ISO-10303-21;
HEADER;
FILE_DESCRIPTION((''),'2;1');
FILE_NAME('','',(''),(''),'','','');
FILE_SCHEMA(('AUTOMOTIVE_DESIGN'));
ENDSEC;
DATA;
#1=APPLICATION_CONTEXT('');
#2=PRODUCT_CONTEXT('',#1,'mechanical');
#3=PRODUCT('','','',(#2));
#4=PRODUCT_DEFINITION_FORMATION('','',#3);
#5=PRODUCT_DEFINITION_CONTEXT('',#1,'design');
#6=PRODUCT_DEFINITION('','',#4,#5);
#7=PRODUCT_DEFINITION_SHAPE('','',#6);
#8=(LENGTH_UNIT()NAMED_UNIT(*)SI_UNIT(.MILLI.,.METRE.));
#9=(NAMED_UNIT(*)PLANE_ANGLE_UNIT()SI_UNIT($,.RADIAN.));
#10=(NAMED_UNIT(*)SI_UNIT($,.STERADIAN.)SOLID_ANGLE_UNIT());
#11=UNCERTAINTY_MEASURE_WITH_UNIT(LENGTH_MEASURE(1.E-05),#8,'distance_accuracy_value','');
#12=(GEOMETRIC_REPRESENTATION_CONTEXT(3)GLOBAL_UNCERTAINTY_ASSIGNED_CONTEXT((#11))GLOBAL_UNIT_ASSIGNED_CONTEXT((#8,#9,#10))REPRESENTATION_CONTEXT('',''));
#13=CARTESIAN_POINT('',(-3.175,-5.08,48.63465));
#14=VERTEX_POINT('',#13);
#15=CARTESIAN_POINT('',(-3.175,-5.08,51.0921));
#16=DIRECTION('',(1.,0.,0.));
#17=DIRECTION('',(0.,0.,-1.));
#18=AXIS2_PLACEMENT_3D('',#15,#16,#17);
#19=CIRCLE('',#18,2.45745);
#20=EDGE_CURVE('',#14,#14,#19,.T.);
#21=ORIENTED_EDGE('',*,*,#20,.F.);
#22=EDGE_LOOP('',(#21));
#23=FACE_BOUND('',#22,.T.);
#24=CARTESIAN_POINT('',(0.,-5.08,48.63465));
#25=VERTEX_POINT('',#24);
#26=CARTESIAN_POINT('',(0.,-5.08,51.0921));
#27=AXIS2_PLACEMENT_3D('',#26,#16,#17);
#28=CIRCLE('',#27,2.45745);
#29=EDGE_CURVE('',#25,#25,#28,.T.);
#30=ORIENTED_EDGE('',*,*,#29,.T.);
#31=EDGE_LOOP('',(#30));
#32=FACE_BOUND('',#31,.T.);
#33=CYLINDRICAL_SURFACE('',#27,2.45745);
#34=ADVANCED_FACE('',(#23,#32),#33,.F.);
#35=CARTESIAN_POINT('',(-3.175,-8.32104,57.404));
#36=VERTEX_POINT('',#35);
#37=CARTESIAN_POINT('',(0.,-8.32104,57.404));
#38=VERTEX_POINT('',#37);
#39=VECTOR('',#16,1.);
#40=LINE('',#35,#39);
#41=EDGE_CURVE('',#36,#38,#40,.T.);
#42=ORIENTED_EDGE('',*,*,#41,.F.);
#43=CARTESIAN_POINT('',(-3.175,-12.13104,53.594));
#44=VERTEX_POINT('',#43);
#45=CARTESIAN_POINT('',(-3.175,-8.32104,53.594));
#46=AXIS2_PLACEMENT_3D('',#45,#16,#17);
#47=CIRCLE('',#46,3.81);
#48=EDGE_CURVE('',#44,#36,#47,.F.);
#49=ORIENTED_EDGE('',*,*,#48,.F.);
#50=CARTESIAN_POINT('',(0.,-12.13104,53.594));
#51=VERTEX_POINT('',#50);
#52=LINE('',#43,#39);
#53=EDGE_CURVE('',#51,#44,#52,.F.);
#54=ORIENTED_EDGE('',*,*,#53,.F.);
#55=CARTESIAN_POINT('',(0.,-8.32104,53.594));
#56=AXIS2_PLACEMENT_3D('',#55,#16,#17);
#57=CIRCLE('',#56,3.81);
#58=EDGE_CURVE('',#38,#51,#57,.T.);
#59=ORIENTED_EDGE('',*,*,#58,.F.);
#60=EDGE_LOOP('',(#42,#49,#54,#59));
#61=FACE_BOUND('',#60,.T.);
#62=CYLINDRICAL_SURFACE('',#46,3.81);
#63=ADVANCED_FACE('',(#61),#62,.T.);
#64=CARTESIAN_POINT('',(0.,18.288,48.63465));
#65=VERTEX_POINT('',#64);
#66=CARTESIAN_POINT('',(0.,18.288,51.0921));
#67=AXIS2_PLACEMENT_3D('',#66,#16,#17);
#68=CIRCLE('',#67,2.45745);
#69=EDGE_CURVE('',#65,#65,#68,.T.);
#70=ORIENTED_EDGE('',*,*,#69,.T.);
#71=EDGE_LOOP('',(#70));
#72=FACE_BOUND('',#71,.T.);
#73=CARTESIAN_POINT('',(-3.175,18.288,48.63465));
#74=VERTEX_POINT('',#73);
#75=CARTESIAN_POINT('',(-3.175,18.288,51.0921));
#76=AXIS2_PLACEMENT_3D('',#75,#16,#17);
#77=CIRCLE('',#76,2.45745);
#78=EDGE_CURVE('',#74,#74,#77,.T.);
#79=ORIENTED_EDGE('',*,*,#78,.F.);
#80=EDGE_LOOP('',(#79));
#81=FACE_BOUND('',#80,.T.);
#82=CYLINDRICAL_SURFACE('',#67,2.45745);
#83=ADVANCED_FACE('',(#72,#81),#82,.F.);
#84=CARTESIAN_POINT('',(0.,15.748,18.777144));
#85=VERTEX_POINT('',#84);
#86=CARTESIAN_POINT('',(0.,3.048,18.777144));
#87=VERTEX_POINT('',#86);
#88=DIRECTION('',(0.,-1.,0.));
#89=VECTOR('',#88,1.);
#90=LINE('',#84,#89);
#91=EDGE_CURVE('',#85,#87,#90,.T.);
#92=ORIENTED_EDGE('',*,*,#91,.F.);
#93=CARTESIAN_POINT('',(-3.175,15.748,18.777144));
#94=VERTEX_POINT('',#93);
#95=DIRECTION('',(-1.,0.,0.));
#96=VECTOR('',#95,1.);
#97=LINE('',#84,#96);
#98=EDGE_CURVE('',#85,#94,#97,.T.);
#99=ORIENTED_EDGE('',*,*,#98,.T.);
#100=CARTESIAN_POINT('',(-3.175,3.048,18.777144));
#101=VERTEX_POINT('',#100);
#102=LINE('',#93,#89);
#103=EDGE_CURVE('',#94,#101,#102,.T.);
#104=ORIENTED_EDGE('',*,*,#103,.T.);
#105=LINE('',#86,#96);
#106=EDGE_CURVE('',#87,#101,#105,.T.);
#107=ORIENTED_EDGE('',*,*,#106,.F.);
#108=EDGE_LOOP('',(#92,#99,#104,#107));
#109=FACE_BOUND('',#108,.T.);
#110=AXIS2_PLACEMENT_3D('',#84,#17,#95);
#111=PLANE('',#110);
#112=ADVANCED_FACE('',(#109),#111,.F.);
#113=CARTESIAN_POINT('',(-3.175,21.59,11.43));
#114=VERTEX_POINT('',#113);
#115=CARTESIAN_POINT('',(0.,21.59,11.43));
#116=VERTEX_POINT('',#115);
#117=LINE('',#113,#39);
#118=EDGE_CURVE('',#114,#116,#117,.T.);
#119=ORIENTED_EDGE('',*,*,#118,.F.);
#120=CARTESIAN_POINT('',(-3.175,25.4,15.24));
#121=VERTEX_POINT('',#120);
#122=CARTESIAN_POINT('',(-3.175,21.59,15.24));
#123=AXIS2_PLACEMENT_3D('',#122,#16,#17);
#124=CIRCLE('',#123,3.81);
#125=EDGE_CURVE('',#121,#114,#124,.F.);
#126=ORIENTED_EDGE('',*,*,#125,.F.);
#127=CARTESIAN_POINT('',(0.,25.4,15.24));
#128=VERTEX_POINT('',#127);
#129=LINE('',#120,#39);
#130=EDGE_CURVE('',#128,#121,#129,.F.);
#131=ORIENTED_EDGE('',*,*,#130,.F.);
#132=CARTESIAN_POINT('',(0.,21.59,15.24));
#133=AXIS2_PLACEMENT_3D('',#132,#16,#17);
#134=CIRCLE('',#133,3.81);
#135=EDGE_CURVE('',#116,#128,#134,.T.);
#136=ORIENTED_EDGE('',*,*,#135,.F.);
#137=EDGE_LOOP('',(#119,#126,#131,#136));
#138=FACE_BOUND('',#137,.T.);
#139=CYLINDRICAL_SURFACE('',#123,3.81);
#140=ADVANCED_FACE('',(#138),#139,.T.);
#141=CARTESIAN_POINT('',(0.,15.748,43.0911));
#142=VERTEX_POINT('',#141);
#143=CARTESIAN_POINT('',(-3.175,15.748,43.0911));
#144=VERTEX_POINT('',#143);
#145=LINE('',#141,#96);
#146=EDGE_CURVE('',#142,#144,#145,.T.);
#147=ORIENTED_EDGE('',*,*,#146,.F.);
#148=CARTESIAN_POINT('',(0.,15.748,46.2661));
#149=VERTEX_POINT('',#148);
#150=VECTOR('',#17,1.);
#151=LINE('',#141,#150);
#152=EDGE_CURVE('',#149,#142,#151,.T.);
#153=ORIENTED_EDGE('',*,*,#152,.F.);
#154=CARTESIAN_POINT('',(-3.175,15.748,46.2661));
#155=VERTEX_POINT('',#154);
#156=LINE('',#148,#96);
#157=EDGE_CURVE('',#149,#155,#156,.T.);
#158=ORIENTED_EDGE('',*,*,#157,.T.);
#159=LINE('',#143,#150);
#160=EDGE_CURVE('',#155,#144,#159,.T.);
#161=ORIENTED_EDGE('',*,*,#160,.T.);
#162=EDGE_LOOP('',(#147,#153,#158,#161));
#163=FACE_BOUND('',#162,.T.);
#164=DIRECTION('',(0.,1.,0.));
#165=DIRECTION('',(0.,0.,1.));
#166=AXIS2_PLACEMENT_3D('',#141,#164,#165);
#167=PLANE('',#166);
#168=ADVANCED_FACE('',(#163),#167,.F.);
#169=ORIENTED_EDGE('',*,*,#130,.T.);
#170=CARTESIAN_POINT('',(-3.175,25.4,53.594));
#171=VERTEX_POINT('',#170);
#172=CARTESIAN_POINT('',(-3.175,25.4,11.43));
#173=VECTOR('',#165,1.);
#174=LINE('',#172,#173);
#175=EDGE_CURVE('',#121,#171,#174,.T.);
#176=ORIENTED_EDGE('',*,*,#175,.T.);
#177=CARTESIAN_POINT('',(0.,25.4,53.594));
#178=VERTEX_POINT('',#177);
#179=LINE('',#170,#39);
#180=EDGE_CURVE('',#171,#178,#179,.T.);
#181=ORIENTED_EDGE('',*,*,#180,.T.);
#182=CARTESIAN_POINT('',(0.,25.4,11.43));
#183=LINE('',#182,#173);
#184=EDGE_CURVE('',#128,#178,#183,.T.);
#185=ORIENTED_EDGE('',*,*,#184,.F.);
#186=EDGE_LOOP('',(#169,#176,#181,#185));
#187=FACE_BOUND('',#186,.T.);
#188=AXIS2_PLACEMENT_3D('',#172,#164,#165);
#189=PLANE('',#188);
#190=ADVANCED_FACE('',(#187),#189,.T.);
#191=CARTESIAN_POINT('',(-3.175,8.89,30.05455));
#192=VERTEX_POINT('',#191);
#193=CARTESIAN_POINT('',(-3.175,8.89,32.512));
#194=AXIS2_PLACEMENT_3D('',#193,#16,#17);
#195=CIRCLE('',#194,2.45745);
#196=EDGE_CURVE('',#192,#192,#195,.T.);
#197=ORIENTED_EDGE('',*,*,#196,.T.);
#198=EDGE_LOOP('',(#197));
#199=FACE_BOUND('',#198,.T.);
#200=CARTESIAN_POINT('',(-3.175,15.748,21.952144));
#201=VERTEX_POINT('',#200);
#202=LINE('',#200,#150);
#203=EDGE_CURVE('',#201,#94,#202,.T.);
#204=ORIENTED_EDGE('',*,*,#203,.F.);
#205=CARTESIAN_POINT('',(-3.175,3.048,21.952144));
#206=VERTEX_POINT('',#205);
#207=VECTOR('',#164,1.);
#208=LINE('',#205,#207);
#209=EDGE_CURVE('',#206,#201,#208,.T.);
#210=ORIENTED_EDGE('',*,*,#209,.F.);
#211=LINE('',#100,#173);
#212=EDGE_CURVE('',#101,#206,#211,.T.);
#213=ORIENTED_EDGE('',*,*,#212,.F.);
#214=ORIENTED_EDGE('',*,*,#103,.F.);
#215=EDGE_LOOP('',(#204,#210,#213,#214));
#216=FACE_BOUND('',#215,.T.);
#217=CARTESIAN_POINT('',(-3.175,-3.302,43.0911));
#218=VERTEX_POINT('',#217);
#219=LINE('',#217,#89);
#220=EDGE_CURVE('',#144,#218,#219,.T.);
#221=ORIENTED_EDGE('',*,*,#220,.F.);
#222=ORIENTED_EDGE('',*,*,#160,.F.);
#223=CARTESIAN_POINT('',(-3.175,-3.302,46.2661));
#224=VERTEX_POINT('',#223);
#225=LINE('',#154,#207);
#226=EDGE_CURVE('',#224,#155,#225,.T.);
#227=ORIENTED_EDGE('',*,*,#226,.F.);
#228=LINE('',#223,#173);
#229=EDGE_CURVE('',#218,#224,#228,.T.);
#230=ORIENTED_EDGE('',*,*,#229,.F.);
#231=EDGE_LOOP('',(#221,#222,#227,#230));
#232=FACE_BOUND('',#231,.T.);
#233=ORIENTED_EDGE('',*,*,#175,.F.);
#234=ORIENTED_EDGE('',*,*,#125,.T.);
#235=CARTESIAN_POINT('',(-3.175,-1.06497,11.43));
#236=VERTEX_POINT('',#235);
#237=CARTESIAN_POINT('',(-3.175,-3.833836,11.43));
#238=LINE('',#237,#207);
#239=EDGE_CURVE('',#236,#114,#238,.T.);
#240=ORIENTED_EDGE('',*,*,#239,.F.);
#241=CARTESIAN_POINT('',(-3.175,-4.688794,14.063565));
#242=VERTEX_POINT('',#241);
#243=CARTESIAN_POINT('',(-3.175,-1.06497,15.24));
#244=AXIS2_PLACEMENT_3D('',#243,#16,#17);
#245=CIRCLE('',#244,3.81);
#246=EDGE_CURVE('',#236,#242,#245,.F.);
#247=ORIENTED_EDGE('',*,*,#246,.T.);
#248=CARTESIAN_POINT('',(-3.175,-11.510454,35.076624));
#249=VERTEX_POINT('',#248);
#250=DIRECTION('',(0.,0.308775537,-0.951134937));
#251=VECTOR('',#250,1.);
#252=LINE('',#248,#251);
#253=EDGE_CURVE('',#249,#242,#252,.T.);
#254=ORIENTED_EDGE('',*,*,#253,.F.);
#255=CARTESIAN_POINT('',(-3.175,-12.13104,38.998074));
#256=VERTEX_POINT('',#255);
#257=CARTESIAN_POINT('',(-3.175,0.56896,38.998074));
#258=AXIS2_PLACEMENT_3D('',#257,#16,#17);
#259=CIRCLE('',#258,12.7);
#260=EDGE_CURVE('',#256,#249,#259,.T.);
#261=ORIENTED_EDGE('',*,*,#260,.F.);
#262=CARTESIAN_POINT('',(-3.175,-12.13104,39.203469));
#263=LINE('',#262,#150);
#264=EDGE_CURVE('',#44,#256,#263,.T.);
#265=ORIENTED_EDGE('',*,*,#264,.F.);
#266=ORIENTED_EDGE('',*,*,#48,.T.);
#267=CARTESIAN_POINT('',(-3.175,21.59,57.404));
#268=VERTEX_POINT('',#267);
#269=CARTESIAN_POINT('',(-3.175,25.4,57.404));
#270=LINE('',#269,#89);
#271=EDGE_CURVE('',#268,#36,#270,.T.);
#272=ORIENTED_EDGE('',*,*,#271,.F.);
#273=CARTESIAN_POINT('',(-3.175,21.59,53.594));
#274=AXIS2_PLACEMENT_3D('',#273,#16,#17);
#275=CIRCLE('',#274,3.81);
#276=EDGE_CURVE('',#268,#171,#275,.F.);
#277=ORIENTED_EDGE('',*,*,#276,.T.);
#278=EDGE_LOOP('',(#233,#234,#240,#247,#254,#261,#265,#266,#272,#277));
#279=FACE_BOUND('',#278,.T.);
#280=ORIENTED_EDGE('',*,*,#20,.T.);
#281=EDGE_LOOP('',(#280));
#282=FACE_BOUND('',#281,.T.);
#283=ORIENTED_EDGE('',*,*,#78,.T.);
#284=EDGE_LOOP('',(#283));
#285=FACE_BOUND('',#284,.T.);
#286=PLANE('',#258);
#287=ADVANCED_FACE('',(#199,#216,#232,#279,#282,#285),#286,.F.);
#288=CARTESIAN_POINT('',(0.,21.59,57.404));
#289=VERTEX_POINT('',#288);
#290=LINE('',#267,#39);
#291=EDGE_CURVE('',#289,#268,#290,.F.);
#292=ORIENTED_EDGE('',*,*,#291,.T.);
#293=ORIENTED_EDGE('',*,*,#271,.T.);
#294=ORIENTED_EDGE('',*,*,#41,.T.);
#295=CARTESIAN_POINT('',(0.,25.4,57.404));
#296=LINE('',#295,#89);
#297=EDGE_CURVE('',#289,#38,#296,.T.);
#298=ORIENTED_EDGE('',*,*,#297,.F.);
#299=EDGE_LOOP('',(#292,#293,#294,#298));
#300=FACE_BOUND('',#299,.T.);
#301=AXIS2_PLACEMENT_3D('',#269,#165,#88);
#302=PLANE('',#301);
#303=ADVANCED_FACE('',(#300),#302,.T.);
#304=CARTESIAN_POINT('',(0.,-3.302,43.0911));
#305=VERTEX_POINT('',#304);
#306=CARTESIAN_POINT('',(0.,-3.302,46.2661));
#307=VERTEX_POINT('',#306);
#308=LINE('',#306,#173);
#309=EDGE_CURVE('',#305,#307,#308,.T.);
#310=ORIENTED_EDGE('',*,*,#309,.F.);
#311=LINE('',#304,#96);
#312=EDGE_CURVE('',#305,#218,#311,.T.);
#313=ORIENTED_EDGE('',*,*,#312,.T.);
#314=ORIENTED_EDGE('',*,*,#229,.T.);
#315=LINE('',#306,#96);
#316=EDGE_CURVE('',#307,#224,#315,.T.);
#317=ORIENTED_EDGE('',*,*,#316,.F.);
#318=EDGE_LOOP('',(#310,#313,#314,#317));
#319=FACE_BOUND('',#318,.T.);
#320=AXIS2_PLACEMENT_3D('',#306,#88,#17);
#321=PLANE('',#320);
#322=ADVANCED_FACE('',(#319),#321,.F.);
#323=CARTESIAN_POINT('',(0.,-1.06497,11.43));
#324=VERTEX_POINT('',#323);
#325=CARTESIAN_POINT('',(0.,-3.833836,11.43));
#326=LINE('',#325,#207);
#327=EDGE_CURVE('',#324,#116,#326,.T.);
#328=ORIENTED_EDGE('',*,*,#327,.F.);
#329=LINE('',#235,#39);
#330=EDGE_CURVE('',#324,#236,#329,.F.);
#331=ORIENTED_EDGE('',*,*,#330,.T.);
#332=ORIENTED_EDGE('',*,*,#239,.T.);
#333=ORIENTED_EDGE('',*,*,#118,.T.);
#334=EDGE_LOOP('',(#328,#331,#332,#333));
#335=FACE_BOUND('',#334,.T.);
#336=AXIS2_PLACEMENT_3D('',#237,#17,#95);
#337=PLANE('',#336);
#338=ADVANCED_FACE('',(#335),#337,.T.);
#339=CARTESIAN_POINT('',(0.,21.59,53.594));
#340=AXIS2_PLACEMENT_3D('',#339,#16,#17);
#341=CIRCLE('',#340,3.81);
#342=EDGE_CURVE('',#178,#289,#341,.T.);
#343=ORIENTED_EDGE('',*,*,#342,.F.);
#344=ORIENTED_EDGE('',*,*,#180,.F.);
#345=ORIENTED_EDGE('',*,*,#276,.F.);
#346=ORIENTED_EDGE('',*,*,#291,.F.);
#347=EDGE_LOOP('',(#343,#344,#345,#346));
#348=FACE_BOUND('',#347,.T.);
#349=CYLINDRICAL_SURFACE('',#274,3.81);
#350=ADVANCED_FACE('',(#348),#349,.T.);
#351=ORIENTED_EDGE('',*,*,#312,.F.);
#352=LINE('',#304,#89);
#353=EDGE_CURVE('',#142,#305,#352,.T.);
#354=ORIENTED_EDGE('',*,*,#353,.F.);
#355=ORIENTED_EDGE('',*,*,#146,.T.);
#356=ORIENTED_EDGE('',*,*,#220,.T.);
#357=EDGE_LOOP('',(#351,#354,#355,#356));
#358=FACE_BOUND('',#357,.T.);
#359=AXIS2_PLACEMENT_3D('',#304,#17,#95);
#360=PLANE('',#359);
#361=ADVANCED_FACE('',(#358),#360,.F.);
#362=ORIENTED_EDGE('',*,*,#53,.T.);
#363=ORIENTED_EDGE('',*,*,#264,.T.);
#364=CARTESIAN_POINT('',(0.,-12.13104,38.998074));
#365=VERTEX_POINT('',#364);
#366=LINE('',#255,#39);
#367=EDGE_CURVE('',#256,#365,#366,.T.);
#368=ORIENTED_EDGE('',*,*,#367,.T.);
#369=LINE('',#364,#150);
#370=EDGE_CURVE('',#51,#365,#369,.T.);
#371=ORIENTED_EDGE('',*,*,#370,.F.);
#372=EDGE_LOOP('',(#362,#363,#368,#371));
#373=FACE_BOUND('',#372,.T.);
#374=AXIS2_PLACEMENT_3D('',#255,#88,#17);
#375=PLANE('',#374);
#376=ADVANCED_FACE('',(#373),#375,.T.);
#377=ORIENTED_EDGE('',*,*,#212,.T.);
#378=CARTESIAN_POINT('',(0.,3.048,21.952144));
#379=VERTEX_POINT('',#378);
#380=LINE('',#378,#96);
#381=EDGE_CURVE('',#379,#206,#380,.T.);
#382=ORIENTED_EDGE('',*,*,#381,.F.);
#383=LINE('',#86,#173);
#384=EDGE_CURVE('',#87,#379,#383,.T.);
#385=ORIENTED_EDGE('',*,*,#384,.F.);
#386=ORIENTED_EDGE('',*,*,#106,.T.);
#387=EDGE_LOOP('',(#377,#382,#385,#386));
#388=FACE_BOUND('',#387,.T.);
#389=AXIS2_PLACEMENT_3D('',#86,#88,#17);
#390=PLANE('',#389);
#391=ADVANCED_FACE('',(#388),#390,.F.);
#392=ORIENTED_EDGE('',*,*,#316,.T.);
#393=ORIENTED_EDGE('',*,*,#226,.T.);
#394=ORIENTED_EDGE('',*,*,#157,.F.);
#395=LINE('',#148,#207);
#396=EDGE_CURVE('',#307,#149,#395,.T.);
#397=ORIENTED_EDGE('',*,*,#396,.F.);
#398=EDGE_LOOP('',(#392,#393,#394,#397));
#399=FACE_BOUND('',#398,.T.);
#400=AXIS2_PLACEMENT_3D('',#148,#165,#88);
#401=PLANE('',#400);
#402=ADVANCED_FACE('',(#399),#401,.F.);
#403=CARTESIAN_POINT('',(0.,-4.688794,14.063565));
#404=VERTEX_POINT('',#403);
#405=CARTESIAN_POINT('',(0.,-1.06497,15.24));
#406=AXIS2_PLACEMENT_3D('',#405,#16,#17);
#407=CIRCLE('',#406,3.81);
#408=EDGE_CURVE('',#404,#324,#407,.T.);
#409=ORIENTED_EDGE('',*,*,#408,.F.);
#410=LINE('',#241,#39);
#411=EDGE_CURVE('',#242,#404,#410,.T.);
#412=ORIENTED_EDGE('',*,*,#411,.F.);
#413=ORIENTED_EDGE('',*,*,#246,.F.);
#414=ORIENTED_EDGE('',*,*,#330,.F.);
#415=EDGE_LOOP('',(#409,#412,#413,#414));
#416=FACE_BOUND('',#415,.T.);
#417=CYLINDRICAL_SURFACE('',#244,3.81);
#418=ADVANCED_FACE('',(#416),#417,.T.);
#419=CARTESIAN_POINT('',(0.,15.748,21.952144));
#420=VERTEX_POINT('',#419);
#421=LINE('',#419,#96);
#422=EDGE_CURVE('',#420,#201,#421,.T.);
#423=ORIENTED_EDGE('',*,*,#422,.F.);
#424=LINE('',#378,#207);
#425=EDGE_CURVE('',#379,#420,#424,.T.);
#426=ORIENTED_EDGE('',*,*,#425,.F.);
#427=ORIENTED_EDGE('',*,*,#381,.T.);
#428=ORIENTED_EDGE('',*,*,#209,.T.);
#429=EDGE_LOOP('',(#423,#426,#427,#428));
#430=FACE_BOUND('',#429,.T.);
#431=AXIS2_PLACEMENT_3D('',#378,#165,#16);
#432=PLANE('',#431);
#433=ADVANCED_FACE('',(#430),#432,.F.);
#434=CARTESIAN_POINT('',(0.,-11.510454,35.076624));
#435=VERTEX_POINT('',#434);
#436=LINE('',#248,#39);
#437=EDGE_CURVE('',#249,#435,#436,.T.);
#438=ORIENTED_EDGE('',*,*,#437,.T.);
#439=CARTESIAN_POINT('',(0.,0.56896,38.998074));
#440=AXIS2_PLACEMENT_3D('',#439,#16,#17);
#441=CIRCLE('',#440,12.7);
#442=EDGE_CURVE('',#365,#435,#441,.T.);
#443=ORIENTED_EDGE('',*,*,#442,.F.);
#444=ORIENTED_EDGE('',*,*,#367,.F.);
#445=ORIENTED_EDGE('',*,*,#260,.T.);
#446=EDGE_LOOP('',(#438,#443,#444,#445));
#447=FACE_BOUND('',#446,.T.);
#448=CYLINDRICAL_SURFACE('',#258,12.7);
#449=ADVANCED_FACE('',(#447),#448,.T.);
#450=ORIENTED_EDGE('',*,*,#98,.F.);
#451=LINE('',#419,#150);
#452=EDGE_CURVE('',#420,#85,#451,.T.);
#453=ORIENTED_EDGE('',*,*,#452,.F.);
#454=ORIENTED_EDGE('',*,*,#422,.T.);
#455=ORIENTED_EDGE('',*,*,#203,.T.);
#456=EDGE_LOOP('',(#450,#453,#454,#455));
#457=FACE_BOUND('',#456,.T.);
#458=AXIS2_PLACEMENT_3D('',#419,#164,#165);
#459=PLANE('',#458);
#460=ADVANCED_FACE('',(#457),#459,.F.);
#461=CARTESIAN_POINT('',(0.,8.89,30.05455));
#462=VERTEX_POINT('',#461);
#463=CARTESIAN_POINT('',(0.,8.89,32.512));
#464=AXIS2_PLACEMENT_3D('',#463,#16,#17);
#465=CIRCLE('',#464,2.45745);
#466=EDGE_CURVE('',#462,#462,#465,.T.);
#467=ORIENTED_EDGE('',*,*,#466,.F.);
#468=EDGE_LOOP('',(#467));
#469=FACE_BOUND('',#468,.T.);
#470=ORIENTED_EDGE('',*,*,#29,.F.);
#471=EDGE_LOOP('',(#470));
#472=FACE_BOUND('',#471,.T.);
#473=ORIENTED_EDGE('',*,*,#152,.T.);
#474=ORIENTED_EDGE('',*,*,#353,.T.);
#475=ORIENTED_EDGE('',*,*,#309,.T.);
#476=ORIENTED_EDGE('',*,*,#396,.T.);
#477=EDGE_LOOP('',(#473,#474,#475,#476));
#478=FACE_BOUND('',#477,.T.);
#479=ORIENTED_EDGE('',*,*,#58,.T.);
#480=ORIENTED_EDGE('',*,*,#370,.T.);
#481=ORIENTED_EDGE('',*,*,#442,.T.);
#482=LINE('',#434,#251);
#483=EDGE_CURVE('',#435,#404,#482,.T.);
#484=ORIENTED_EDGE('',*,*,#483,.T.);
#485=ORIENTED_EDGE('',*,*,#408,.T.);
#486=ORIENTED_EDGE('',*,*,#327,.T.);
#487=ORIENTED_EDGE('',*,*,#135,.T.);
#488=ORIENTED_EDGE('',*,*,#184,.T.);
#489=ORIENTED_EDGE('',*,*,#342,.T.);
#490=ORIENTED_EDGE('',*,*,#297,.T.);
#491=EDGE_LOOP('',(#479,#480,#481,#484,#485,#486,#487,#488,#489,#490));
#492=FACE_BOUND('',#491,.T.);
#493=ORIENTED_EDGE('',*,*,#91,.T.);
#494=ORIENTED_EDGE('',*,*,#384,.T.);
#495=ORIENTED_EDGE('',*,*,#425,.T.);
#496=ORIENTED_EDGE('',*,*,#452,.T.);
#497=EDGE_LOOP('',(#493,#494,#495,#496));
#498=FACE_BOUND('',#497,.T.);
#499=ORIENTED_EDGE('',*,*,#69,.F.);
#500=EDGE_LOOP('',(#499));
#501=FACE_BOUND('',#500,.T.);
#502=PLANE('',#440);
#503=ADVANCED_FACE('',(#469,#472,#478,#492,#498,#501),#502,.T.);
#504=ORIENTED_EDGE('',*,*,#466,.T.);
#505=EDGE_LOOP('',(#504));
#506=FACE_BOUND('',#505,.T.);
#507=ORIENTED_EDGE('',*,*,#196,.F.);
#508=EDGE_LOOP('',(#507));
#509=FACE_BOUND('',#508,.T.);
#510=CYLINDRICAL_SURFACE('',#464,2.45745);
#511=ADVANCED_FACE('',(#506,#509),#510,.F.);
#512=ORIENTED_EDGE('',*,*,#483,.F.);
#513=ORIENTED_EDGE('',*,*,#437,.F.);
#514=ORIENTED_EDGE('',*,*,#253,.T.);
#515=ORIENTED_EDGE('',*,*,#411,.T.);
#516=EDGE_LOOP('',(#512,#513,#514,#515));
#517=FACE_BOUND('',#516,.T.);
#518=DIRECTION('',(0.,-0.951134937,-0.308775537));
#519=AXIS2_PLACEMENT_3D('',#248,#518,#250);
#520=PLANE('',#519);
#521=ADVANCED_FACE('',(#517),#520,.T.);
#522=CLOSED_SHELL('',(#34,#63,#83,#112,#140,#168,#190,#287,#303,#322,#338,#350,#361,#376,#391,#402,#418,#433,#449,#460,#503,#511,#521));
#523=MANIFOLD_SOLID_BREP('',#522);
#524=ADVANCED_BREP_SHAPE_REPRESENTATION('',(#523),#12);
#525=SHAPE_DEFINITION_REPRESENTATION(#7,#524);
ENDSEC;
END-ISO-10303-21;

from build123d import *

# Parameters (mm, degrees)
BOSS_EXTRUDE1_DEPTH              = 3.175
F_10_0_1935_DIAMETER_HOLE1_D     = 4.9149
F_10_0_1935_DIAMETER_HOLE1_DEPTH = 11.176
F_10_0_1935_DIAMETER_HOLE1_TIP   = 1.476584928
SKETCH6_W                        = 3.175
SKETCH6_H                        = 19.05
SKETCH6_H_2                      = 12.7
CUT_EXTRUDE1_DEPTH               = 63.852683642
FILLET1_R                        = 3.81


with BuildPart() as part:
    # Sketch1 → Boss-Extrude1 (new body)
    with BuildSketch(Plane(origin=(0, 0, 0), x_dir=(0, 0, -1), z_dir=(1, 0, 0))):
        with BuildLine():
            Line((-11.43, 25.4), (-57.404, 25.4))
            Line((-57.404, 25.4), (-57.404, -12.13104))
            Line((-57.404, -12.13104), (-39.203469383, -12.13104))
            Line((-39.203469383, -12.13104), (-38.998073701, -12.13104))
            ThreePointArc((-38.998073701, -12.13104), (-37.012948259, -11.974934012), (-35.076624386, -11.510453697))
            Line((-35.076624386, -11.510453697), (-11.43, -3.833836163))
            Line((-11.43, -3.833836163), (-11.43, 25.4))
        make_face()
    extrude(amount=-BOSS_EXTRUDE1_DEPTH)

    # #10 (0.1935) Diameter Hole1
    with Locations(Plane(origin=(0, 0, 0), x_dir=(0, 0, -1), z_dir=(1, 0, 0))):
        with Locations((-51.0921, -5.08), (-51.0921, 18.288), (-32.512, 8.89)):
            Hole(F_10_0_1935_DIAMETER_HOLE1_D / 2, depth=F_10_0_1935_DIAMETER_HOLE1_DEPTH)
            with Locations((0, 0, -(F_10_0_1935_DIAMETER_HOLE1_DEPTH + F_10_0_1935_DIAMETER_HOLE1_TIP / 2))):  # 118° drill point
                Cone(0, F_10_0_1935_DIAMETER_HOLE1_D / 2, F_10_0_1935_DIAMETER_HOLE1_TIP, mode=Mode.SUBTRACT)

    # Sketch6 → Cut-Extrude1 (cut, through all)
    with BuildSketch(Plane.ZY.offset(3.175)):
        with Locations((44.6786, 6.223)):
            Rectangle(SKETCH6_W, SKETCH6_H)
        with Locations((20.364644497, 9.398)):
            Rectangle(SKETCH6_W, SKETCH6_H_2)
    extrude(amount=-CUT_EXTRUDE1_DEPTH, mode=Mode.SUBTRACT)

    # Fillet1
    fillet1_edges = [part.edges().sort_by_distance(p)[0] for p in [
        (-1.5875, -12.13104, 57.404),
        (-1.5875, 25.4, 57.404),
        (-1.5875, 25.4, 11.43),
        (-1.5875, -3.833836163, 11.43),
    ]]
    fillet(fillet1_edges, radius=FILLET1_R)


solid = part.part
